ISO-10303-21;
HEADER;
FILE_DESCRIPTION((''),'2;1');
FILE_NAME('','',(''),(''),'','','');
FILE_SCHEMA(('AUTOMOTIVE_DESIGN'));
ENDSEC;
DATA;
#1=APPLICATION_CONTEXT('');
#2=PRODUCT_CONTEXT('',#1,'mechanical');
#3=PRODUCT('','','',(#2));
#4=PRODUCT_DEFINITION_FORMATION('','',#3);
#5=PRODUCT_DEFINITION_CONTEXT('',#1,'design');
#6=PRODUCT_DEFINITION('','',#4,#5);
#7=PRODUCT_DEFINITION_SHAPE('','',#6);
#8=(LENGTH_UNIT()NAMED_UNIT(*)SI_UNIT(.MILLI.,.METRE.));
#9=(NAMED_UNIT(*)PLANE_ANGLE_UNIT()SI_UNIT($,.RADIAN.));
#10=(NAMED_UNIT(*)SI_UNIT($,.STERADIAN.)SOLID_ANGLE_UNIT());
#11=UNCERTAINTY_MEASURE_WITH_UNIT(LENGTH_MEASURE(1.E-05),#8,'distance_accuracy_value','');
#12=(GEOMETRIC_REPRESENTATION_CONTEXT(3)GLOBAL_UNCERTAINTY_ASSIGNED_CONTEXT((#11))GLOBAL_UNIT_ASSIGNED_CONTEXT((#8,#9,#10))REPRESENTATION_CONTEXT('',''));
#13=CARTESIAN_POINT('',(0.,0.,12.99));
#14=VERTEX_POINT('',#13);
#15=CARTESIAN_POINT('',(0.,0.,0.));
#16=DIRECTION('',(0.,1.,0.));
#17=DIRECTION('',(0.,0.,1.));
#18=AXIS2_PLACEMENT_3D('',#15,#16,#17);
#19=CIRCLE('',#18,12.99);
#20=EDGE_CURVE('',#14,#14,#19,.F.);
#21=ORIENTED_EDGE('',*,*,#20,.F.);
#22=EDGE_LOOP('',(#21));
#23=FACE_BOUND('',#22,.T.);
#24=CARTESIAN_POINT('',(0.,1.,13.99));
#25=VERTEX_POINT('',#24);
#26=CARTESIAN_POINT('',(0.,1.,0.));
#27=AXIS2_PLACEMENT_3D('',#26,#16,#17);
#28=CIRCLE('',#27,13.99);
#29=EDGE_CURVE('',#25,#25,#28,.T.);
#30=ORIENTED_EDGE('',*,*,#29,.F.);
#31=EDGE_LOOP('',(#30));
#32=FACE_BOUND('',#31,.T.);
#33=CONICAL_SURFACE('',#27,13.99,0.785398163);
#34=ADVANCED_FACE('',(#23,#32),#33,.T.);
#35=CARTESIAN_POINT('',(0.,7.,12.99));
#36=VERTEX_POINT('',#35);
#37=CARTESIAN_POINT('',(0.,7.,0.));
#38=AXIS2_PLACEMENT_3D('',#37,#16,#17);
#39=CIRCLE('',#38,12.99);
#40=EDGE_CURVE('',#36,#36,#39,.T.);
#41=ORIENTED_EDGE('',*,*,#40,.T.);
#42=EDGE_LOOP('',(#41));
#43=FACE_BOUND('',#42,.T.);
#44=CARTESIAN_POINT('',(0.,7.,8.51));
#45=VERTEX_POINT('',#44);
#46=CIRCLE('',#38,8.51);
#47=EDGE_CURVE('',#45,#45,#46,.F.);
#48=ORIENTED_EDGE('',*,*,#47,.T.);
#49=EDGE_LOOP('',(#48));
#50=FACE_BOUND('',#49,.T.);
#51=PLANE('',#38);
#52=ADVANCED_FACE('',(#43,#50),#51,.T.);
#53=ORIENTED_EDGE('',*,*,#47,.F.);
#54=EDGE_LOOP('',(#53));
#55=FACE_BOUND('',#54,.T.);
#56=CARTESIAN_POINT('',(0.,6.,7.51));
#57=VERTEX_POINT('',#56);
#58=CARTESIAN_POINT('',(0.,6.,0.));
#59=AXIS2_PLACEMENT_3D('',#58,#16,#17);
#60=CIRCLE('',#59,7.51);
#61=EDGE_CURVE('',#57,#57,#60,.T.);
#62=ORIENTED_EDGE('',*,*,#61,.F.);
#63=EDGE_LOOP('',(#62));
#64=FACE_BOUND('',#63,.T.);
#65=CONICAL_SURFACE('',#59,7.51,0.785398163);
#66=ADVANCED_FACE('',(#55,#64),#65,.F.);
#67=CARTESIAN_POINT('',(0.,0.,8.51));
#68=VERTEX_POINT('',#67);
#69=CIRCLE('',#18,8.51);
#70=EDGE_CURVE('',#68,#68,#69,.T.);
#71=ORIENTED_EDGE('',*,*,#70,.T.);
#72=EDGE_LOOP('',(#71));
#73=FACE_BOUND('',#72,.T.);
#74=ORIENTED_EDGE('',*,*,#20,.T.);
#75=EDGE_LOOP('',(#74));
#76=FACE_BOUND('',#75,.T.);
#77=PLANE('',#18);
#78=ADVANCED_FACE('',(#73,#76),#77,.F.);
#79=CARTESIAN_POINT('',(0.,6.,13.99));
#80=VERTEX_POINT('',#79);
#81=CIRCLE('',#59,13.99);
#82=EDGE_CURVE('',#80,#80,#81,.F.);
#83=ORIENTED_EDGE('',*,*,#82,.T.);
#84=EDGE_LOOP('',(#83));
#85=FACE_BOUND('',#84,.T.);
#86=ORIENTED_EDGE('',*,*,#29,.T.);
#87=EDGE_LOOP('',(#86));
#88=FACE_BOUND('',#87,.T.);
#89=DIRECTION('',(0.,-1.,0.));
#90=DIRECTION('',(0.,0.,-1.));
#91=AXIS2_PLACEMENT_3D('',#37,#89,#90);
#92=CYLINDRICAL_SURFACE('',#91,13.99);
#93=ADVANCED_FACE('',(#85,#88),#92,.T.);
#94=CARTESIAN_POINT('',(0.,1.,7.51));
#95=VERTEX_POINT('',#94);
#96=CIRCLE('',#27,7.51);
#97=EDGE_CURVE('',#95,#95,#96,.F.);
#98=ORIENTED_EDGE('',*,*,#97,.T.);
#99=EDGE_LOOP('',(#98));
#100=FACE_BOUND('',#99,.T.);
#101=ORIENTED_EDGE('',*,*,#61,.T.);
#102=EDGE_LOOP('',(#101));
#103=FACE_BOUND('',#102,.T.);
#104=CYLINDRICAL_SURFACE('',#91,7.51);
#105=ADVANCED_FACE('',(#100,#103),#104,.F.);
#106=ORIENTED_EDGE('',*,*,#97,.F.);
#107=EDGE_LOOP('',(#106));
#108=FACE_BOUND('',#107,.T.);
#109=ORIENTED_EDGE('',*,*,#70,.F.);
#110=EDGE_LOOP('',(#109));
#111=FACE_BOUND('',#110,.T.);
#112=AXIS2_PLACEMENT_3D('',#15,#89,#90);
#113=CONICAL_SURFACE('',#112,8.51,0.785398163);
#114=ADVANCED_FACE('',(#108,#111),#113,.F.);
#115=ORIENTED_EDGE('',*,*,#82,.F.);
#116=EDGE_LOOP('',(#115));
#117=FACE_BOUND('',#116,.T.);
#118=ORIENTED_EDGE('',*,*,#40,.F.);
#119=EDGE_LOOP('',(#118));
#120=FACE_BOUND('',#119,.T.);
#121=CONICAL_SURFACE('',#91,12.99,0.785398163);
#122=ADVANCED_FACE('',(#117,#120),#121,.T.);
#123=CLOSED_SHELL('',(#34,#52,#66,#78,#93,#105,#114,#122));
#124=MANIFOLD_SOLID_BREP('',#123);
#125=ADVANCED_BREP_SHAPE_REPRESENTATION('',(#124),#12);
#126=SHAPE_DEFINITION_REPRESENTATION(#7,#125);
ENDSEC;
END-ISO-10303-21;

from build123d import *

# Parameters (mm, degrees)
SKETCH_1_R      = 13.99
SKETCH_1_R_2    = 7.51
EXTRUDE_1_DEPTH = 7
CHAMFER_1_SIZE  = 1


with BuildPart() as part:
    # 草图1 → 凸台-拉伸1 (new body)
    with BuildSketch(Plane(origin=(0, 0, 0), x_dir=(1, 0, 0), z_dir=(0, 1, 0))):
        with Locations(Location((0, 0, 0), (0, 0, 270))):
            Circle(SKETCH_1_R)
        with Locations(Location((0, 0, 0), (0, 0, 270))):
            Circle(SKETCH_1_R_2, mode=Mode.SUBTRACT)
    extrude(amount=EXTRUDE_1_DEPTH)

    # 倒角1
    chamfer_1_edges = [part.edges().sort_by_distance(p)[0] for p in [
        (0, 0, -13.99),
        (0, 7, -13.99),
        (0, 0, -7.51),
        (0, 7, -7.51),
    ]]
    chamfer(chamfer_1_edges, length=CHAMFER_1_SIZE)


solid = part.part
